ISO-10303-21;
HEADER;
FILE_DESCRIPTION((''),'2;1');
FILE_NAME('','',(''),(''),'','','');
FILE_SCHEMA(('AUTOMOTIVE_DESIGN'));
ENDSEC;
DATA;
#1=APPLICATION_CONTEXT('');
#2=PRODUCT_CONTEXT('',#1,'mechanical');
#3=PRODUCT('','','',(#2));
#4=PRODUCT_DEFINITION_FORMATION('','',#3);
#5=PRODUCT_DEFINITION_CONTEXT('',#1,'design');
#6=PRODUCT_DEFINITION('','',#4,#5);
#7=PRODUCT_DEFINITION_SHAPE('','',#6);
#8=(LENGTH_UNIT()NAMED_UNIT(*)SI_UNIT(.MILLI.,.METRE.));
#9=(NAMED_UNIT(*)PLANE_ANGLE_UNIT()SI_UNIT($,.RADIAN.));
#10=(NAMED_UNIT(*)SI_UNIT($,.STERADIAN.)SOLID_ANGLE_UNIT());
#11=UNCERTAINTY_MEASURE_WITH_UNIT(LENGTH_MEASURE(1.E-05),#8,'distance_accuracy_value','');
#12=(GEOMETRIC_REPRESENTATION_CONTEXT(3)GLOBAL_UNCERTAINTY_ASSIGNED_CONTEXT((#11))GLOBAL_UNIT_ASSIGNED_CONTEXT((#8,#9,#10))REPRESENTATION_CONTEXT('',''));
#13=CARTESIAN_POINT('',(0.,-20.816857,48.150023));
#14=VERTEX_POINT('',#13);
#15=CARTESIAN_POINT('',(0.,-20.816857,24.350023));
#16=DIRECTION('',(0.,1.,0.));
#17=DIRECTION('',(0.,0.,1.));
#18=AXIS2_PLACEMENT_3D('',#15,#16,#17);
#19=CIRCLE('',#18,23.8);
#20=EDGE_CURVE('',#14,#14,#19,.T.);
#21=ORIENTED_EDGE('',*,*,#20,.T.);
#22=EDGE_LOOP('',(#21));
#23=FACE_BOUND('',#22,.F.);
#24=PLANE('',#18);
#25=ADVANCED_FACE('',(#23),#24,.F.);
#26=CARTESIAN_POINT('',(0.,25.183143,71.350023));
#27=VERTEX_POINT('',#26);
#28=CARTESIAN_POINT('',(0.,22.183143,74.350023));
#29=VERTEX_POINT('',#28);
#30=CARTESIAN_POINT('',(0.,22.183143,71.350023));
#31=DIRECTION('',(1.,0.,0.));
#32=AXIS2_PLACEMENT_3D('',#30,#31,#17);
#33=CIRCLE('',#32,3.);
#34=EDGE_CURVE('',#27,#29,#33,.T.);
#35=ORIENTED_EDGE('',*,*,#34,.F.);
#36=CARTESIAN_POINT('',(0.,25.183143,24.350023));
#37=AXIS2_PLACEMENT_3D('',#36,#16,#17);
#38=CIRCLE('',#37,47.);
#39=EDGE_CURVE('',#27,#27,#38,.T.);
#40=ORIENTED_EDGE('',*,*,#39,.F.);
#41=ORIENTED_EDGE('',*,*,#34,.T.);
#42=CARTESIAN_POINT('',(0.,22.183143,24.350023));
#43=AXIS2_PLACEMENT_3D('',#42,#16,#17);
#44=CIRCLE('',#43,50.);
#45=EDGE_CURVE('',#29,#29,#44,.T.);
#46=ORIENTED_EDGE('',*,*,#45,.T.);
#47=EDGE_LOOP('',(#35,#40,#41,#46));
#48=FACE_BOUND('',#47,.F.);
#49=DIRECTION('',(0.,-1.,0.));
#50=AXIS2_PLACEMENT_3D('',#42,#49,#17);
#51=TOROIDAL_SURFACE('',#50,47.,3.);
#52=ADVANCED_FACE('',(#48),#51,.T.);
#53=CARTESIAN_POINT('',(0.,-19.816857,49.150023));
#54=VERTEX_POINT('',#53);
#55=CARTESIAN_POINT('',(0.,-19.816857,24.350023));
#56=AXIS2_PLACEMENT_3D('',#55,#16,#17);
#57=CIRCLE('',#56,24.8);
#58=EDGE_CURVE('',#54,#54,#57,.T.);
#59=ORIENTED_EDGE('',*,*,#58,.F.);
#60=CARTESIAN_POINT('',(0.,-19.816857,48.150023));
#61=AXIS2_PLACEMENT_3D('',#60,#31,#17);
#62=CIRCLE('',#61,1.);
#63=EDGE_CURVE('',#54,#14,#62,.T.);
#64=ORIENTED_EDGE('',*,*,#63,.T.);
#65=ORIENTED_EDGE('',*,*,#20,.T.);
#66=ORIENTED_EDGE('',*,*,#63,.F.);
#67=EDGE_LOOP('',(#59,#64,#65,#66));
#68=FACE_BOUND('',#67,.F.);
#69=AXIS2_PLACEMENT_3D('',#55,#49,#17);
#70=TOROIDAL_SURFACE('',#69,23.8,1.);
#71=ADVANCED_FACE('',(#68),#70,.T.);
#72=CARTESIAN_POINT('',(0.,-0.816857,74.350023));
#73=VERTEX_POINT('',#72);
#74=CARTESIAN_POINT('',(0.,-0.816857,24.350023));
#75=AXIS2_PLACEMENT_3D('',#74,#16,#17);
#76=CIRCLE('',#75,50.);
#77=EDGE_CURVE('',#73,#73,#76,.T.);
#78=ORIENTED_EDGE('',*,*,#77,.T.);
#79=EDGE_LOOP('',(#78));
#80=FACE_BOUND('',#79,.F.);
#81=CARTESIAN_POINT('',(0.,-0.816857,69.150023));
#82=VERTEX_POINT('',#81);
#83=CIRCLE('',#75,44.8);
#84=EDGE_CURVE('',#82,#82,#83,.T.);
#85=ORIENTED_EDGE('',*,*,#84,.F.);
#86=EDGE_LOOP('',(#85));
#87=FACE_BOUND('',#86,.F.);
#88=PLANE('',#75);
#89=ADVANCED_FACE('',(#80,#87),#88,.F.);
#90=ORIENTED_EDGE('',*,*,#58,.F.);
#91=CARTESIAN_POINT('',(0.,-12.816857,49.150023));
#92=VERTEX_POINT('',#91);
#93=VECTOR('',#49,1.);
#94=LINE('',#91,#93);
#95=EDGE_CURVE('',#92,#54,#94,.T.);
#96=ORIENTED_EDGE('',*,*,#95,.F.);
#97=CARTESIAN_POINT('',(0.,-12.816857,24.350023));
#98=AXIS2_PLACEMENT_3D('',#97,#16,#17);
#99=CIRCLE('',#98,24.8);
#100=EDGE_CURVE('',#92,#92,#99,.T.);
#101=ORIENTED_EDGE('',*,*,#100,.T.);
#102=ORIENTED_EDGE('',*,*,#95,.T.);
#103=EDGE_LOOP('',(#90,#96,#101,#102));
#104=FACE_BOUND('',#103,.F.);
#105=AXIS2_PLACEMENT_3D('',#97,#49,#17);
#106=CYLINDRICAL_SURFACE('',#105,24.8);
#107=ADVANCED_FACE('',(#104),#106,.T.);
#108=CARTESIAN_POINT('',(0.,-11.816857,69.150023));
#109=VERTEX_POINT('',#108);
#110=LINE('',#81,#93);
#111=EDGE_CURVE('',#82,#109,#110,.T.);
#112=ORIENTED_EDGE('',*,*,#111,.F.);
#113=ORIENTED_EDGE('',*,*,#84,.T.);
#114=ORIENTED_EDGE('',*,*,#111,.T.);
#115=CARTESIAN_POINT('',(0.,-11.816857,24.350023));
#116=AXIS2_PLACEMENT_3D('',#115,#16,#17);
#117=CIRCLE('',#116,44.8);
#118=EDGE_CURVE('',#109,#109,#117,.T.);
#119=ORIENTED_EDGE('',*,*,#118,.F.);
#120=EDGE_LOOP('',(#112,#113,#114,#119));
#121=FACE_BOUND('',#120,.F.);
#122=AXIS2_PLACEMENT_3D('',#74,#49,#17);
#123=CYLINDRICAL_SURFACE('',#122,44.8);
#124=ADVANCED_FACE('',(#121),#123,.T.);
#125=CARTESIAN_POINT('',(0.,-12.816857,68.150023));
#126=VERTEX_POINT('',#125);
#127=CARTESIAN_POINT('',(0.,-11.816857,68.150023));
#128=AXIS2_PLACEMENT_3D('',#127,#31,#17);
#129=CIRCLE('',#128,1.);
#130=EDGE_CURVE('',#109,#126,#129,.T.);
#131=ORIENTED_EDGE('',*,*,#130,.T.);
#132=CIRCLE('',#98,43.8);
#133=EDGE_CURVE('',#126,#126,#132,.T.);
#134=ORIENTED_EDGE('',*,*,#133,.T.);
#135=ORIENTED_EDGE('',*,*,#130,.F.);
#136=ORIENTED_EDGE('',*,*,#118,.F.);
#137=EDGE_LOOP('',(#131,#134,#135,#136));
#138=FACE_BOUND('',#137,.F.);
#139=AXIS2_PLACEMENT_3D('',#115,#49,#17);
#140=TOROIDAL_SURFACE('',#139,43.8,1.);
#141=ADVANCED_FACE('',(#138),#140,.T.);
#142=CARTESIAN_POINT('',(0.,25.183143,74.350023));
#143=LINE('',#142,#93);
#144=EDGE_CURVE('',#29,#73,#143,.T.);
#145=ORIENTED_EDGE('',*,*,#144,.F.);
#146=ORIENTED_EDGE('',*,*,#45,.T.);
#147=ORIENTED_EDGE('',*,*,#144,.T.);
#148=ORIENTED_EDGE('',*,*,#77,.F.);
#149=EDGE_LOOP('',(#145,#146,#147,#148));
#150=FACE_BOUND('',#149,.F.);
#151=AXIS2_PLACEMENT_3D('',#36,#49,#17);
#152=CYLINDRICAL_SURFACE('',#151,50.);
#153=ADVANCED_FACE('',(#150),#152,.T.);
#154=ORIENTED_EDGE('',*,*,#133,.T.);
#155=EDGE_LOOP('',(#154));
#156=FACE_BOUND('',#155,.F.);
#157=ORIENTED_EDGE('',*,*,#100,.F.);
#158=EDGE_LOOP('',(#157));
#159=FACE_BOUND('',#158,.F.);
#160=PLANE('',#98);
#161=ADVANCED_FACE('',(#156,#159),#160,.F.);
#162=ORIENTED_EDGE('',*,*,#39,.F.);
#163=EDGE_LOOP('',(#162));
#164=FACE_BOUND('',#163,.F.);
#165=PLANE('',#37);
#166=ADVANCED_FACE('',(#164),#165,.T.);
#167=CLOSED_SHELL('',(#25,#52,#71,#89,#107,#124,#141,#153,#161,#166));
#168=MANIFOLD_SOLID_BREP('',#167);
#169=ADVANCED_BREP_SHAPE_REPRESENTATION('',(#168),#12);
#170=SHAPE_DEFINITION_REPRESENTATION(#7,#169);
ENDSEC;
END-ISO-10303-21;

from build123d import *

# Parameters (mm, degrees)
F2_R = 3
F3_R = 1
F4_R = 1


with BuildPart() as f1:
    # F0 (on Right) → F1 (revolve)
    with BuildSketch(Plane.YZ):
        Polygon((-20.8168569952, 49.1500228971), (-20.8168569952, 24.3500228971), (25.1831430048, 24.3500228971), (25.1831430048, 74.3500228971), (-0.8168569952, 74.3500228971), (-0.8168569952, 69.1500228971), (-12.8168569952, 69.1500228971), (-12.8168569952, 49.1500228971), align=None)
    revolve(axis=Axis((0, 2.1831430048, 24.3500228971), (0, 1, 0)))

    # F2
    f2_edges = [f1.edges().sort_by_distance(p)[0] for p in [
        (0, 25.183143, -25.649977),
    ]]
    fillet(f2_edges, radius=F2_R)

    # F3
    f3_edges = [f1.edges().sort_by_distance(p)[0] for p in [
        (0, -12.816857, -20.449977),
    ]]
    fillet(f3_edges, radius=F3_R)

    # F4
    f4_edges = [f1.edges().sort_by_distance(p)[0] for p in [
        (0, -20.816857, -0.449977),
    ]]
    fillet(f4_edges, radius=F4_R)


solid = f1.part
